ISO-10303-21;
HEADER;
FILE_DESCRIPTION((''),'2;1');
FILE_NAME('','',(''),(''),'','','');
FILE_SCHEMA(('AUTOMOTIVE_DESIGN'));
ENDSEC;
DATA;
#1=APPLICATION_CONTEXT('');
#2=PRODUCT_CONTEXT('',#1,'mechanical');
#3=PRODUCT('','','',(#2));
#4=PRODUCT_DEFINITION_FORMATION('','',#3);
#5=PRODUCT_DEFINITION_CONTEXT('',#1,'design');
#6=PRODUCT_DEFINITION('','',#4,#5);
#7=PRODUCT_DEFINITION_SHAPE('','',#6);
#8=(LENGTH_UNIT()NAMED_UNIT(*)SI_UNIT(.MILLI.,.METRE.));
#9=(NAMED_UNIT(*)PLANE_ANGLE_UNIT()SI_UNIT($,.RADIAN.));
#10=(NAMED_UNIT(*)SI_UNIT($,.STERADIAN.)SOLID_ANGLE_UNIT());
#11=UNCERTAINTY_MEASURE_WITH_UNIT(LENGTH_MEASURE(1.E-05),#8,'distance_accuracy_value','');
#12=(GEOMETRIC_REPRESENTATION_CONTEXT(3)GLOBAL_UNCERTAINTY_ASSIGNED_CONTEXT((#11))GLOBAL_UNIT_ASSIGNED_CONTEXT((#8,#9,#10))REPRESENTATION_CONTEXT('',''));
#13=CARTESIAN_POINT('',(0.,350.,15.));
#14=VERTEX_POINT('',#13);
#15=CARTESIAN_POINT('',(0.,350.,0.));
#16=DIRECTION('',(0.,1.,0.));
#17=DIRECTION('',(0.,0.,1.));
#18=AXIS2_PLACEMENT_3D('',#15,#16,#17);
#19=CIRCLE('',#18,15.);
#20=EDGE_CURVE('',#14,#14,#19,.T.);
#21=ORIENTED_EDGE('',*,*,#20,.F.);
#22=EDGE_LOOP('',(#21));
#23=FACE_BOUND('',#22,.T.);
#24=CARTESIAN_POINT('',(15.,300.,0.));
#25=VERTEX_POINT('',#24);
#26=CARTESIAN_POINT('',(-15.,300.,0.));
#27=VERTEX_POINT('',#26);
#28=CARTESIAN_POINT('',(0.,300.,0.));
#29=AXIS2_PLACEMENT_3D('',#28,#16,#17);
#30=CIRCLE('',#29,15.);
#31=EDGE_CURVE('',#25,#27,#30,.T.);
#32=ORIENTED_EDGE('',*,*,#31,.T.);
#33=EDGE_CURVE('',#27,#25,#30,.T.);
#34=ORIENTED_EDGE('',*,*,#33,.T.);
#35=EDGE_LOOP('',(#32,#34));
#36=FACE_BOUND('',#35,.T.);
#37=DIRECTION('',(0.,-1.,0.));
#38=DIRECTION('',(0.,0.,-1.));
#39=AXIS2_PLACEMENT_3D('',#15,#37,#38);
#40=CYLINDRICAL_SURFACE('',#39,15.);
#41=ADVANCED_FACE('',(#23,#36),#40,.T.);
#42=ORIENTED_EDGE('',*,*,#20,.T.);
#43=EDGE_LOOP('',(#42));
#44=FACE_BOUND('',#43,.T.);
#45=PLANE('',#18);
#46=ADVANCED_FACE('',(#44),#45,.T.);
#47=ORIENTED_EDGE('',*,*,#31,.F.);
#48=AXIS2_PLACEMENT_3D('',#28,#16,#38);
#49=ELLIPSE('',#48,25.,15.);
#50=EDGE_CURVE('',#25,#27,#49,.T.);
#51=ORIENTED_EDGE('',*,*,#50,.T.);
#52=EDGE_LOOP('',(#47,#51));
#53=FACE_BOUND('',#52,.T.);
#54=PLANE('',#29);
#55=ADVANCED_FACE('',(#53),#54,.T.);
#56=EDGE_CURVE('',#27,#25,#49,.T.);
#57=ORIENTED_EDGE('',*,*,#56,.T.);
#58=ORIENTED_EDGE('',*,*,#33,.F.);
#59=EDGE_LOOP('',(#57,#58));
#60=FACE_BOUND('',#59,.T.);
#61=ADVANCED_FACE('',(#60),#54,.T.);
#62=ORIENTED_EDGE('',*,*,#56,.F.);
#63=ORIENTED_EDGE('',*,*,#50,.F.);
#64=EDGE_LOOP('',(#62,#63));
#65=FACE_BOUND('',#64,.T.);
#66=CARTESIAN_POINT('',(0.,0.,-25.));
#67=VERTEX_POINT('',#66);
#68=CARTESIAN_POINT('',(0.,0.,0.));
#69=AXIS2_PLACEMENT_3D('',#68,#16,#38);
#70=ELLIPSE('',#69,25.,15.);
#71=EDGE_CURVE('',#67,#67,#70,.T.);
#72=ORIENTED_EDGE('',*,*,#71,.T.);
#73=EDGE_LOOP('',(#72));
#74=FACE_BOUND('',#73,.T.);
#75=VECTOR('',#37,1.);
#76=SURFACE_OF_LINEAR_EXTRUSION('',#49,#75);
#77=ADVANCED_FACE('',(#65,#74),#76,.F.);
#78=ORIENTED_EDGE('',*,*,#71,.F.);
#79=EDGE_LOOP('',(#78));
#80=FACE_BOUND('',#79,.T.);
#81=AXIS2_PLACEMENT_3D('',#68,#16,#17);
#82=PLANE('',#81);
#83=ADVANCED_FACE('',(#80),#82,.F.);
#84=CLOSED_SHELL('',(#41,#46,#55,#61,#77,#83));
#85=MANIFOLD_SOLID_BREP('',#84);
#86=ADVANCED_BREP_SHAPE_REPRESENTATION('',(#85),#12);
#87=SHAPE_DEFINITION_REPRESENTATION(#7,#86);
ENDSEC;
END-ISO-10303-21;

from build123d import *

# Parameters (mm, degrees)
SCHIZZO4_RX                  = 25
SCHIZZO4_RY                  = 15
ESTRUSIONE_ESTRUSIONE3_DEPTH = 300
SCHIZZO5_R                   = 15
ESTRUSIONE_ESTRUSIONE4_DEPTH = 50


with BuildPart() as part:
    # Schizzo4 → Estrusione-Estrusione3 (new body)
    with BuildSketch(Plane(origin=(0, 0, 0), x_dir=(1, 0, 0), z_dir=(0, 1, 0))):
        with Locations(Location((0, 0), (0, 0, 90))):
            Ellipse(SCHIZZO4_RX, SCHIZZO4_RY)
    extrude(amount=ESTRUSIONE_ESTRUSIONE3_DEPTH)

    # Schizzo5 → Estrusione-Estrusione4 (add)
    with BuildSketch(Plane(origin=(0, 300, 0), x_dir=(1, 0, 0), z_dir=(0, 1, 0))):
        with Locations(Location((0, 0, 0), (0, 0, 180))):
            Circle(SCHIZZO5_R)
    extrude(amount=ESTRUSIONE_ESTRUSIONE4_DEPTH)


solid = part.part
